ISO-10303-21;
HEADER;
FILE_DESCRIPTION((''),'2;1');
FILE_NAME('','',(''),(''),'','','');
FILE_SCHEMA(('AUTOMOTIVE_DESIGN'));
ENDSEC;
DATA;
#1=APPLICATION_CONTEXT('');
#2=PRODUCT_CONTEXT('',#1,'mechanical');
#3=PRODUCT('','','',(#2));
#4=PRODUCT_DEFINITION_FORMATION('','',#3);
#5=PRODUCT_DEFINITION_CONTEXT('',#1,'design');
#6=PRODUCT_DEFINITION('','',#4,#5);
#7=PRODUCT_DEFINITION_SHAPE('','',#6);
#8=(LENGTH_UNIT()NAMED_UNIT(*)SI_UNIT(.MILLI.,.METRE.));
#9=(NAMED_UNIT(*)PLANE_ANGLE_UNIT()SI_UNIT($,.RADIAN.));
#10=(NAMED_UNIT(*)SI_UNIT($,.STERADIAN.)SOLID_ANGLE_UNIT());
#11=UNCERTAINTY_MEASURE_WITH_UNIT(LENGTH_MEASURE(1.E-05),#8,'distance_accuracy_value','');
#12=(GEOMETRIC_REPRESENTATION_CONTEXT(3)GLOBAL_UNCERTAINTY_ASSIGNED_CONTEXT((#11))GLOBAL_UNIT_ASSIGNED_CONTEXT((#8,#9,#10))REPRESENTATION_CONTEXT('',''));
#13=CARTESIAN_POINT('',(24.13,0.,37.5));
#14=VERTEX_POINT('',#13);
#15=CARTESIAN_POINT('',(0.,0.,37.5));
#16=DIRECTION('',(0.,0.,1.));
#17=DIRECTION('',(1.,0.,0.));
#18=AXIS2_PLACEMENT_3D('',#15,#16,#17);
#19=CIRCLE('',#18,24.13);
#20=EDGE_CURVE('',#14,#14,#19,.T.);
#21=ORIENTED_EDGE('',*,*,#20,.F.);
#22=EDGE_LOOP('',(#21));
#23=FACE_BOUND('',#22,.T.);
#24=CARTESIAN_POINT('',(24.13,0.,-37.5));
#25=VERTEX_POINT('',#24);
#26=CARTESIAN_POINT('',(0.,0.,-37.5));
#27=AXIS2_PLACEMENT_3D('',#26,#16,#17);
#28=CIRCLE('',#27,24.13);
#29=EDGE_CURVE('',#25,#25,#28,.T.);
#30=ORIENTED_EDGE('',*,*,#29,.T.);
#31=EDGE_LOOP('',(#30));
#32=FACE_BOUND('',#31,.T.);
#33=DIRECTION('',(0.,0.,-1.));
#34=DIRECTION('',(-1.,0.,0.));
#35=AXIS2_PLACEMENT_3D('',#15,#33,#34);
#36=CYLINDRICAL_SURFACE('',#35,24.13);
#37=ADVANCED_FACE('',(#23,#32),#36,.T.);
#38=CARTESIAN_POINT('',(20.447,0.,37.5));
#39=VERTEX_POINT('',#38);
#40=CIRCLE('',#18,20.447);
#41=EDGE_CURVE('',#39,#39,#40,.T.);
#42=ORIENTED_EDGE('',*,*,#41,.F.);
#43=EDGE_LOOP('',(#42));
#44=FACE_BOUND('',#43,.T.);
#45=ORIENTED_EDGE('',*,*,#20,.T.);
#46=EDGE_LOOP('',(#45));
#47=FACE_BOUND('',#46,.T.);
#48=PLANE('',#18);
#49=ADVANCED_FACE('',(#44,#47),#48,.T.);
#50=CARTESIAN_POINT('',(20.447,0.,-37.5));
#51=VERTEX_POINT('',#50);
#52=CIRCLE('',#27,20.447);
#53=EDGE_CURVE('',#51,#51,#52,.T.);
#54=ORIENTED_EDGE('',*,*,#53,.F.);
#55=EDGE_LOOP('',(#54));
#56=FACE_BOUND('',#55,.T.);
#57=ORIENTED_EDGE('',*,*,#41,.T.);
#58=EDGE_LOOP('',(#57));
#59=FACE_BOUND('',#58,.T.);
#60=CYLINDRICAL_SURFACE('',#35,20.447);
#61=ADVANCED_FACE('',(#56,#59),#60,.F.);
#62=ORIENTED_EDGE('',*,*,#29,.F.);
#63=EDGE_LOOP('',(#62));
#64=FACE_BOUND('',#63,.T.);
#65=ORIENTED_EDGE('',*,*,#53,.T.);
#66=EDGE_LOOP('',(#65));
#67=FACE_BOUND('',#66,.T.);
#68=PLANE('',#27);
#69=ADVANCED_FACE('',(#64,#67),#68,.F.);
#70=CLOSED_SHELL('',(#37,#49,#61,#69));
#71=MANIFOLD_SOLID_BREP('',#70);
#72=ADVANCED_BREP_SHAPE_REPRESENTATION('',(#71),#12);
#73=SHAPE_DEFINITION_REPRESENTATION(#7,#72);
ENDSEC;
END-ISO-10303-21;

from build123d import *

# Parameters (mm, degrees)
CROQUIS2_R              = 24.13
CROQUIS2_R_2            = 20.447
SALIENTE_EXTRUIR1_DEPTH = 37.5


with BuildPart() as part:
    # Croquis2 → Saliente-Extruir1 (new, symmetric)
    with BuildSketch(Plane.XY):
        Circle(CROQUIS2_R)
        Circle(CROQUIS2_R_2, mode=Mode.SUBTRACT)
    extrude(amount=SALIENTE_EXTRUIR1_DEPTH, both=True)


solid = part.part
